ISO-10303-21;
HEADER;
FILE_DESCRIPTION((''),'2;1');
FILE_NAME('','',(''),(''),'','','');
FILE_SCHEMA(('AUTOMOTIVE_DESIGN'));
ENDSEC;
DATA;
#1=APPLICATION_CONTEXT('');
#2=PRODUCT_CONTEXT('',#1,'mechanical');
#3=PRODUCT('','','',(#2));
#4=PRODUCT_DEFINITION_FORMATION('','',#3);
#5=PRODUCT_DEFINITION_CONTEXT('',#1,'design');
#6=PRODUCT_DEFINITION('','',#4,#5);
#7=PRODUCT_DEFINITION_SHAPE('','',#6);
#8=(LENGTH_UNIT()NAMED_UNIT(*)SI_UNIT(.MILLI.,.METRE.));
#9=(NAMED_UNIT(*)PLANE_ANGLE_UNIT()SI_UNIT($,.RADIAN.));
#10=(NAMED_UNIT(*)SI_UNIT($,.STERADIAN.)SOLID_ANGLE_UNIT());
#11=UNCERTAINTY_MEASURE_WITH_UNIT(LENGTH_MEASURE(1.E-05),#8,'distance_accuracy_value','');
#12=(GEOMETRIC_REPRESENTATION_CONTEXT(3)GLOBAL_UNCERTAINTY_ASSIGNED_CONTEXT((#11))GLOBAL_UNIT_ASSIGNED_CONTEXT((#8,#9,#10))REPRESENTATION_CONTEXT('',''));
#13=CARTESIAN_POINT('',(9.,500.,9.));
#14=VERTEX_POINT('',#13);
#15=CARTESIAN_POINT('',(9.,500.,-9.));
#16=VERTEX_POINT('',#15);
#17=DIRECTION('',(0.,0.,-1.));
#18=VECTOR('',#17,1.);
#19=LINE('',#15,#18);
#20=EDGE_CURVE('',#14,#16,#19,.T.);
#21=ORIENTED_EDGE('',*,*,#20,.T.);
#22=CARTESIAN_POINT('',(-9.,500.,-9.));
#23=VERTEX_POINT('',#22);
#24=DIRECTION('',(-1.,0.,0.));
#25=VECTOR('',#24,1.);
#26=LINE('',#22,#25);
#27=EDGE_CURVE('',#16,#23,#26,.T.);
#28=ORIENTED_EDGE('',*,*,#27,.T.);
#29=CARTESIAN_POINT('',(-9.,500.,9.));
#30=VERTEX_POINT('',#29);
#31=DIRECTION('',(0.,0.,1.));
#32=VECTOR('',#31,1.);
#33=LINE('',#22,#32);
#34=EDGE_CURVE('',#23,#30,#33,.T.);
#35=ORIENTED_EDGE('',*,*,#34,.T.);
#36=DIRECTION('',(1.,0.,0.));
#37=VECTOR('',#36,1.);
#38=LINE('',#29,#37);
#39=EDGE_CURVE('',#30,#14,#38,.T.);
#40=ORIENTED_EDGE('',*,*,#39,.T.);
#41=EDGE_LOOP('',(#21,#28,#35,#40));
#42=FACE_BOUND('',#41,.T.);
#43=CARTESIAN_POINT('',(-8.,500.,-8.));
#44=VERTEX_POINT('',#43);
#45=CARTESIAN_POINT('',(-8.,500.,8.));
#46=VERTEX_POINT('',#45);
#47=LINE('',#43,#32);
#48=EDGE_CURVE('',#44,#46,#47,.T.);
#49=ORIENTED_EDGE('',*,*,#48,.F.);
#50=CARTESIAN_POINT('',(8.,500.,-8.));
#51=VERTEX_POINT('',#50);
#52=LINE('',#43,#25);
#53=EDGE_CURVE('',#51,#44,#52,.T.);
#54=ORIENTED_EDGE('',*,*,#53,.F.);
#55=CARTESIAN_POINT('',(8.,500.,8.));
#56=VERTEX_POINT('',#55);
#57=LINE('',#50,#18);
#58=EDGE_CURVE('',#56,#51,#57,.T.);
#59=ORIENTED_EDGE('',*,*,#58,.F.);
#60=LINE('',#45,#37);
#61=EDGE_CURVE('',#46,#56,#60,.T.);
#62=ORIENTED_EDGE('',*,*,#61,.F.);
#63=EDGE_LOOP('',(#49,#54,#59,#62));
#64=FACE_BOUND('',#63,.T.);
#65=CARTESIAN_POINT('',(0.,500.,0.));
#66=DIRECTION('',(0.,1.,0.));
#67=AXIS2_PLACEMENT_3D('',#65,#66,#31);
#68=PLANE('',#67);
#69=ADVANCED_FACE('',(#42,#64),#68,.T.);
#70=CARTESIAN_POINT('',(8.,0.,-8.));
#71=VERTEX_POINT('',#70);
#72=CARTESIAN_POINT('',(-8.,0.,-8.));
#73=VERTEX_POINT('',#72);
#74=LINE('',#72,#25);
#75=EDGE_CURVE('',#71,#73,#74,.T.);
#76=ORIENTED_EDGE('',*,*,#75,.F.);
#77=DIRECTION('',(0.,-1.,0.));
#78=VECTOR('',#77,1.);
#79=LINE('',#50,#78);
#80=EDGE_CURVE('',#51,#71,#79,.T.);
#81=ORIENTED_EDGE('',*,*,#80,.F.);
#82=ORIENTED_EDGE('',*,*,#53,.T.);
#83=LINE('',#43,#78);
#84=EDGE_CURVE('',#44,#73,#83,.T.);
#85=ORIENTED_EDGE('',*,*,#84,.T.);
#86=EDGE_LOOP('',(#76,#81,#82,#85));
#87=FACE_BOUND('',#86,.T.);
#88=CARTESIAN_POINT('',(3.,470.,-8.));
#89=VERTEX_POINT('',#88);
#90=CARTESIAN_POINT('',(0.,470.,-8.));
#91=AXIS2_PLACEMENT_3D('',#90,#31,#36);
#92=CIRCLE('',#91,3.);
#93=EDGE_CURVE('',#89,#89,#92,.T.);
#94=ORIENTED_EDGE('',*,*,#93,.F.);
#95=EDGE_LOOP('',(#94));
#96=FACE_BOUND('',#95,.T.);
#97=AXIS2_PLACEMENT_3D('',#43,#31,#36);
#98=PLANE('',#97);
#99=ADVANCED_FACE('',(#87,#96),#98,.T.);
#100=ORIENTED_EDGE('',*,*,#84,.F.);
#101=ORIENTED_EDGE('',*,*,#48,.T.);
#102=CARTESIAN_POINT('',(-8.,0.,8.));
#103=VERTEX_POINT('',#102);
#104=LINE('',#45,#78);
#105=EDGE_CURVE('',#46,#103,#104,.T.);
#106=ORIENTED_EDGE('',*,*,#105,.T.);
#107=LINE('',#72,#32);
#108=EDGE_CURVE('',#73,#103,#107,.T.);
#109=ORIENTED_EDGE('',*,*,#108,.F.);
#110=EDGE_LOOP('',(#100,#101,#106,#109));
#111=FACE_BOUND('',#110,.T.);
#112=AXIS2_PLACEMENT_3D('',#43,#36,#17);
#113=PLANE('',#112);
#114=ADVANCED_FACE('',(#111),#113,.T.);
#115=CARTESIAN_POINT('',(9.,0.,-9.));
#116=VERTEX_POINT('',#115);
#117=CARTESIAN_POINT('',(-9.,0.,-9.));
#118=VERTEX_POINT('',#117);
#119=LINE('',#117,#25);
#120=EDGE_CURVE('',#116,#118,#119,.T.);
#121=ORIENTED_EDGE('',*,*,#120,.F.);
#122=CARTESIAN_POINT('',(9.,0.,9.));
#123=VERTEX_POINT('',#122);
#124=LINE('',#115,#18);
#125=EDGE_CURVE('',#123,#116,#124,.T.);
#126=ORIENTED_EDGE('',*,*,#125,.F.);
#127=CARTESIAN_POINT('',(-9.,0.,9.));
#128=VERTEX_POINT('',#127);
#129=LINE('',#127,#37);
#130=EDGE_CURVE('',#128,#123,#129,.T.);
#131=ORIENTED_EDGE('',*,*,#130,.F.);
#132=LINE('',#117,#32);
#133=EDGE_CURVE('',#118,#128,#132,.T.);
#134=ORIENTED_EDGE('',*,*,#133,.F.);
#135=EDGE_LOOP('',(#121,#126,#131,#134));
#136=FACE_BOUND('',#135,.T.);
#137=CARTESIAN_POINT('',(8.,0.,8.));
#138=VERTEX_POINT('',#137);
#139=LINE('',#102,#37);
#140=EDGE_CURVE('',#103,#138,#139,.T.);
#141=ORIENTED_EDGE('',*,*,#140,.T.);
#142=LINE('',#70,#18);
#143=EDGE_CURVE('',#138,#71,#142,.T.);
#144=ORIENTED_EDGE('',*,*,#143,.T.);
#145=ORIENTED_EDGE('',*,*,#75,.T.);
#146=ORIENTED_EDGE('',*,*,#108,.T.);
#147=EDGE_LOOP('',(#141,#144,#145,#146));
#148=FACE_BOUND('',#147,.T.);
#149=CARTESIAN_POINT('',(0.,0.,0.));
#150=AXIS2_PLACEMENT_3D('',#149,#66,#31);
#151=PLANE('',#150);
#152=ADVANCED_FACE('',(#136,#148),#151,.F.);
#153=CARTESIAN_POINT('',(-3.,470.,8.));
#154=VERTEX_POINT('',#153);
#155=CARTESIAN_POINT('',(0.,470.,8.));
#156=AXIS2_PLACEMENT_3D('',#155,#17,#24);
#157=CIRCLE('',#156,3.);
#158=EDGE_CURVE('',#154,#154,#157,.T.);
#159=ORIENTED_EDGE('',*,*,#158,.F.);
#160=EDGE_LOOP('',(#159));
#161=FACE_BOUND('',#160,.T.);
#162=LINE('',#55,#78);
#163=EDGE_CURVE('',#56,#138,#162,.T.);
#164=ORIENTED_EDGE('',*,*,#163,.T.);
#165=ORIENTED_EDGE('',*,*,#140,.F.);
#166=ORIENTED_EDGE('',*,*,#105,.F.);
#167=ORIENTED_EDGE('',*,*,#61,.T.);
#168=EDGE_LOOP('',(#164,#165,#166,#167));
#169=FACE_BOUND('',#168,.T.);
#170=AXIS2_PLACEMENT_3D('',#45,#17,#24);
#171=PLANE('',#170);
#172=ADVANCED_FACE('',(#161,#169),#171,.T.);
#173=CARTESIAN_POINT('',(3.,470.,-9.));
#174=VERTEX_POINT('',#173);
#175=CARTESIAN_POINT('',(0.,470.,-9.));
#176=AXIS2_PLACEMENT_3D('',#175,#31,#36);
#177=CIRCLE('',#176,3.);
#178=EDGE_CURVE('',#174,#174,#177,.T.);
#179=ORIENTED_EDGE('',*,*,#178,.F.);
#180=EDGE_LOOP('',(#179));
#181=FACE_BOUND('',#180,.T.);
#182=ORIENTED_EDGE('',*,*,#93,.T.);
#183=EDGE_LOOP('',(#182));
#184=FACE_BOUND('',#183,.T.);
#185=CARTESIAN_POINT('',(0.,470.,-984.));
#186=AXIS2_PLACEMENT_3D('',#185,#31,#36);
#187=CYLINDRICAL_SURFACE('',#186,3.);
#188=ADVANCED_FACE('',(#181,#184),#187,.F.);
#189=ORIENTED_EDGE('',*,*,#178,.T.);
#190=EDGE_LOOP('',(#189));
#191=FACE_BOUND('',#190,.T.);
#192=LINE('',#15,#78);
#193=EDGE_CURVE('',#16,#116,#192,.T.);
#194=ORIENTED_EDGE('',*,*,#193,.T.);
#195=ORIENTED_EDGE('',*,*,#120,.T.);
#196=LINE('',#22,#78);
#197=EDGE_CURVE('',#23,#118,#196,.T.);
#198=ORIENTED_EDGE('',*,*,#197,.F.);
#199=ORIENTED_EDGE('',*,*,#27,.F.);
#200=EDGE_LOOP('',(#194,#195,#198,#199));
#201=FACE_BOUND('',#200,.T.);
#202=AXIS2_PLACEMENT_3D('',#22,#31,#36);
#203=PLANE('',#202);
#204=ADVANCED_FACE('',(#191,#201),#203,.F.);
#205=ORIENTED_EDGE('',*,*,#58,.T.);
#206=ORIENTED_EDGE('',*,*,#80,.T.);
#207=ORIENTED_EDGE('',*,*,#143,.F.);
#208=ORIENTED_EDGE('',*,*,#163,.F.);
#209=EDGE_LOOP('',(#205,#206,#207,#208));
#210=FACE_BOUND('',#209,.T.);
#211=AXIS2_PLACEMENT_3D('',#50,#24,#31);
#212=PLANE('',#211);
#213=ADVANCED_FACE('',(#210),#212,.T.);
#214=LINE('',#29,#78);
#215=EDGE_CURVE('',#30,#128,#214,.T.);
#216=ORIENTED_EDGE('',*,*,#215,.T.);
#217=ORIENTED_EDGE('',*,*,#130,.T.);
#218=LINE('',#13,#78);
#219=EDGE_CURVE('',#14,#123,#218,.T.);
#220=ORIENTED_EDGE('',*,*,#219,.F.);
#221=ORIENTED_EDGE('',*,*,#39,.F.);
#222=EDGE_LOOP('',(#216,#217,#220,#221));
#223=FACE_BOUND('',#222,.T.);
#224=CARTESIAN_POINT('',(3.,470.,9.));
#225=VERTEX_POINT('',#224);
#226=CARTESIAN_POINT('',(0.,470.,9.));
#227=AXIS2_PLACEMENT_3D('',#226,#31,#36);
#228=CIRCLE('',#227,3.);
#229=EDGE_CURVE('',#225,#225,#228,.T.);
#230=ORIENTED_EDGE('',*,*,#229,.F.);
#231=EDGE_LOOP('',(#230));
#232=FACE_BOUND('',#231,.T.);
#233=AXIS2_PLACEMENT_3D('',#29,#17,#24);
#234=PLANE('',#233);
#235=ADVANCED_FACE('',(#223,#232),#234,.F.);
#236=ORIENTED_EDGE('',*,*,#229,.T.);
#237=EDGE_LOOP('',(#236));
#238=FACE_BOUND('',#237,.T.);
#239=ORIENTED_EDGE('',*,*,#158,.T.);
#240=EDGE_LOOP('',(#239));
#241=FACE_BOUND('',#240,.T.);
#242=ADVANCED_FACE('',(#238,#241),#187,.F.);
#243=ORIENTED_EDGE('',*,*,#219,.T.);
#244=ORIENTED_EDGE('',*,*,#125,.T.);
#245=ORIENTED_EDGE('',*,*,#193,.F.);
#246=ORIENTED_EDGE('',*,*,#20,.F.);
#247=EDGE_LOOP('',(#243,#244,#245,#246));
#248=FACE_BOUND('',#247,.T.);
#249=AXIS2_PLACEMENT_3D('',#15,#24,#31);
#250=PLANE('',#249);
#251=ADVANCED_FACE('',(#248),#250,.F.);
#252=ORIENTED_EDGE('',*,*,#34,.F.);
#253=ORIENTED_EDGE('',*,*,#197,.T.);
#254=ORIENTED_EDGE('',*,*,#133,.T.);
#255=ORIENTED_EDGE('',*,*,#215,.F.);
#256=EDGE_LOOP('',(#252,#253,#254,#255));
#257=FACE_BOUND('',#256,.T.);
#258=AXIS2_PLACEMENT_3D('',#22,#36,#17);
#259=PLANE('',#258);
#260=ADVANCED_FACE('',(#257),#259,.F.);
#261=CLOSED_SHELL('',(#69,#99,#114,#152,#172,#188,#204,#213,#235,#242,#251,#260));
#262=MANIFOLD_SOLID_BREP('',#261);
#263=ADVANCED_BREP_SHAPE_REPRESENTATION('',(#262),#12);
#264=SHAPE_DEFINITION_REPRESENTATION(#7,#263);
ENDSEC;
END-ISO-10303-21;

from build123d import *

# Parameters (mm, degrees)
SKETCH1_W           = 18
SKETCH1_H           = 18
SKETCH1_W_2         = 16
SKETCH1_H_2         = 16
BOSS_EXTRUDE1_DEPTH = 500
SKETCH2_R           = 3
CUT_EXTRUDE1_DEPTH  = 993


with BuildPart() as part:
    # Sketch1 → Boss-Extrude1 (new body)
    with BuildSketch(Plane(origin=(0, 0, 0), x_dir=(1, 0, 0), z_dir=(0, 1, 0))):
        Rectangle(SKETCH1_W, SKETCH1_H)
        Rectangle(SKETCH1_W_2, SKETCH1_H_2, mode=Mode.SUBTRACT)
    extrude(amount=BOSS_EXTRUDE1_DEPTH)

    # Sketch2 → Cut-Extrude1 (cut)
    with BuildSketch(Plane.XY.offset(9)):
        with Locations((0, 470)):
            Circle(SKETCH2_R)
    extrude(amount=-CUT_EXTRUDE1_DEPTH, mode=Mode.SUBTRACT)


solid = part.part
